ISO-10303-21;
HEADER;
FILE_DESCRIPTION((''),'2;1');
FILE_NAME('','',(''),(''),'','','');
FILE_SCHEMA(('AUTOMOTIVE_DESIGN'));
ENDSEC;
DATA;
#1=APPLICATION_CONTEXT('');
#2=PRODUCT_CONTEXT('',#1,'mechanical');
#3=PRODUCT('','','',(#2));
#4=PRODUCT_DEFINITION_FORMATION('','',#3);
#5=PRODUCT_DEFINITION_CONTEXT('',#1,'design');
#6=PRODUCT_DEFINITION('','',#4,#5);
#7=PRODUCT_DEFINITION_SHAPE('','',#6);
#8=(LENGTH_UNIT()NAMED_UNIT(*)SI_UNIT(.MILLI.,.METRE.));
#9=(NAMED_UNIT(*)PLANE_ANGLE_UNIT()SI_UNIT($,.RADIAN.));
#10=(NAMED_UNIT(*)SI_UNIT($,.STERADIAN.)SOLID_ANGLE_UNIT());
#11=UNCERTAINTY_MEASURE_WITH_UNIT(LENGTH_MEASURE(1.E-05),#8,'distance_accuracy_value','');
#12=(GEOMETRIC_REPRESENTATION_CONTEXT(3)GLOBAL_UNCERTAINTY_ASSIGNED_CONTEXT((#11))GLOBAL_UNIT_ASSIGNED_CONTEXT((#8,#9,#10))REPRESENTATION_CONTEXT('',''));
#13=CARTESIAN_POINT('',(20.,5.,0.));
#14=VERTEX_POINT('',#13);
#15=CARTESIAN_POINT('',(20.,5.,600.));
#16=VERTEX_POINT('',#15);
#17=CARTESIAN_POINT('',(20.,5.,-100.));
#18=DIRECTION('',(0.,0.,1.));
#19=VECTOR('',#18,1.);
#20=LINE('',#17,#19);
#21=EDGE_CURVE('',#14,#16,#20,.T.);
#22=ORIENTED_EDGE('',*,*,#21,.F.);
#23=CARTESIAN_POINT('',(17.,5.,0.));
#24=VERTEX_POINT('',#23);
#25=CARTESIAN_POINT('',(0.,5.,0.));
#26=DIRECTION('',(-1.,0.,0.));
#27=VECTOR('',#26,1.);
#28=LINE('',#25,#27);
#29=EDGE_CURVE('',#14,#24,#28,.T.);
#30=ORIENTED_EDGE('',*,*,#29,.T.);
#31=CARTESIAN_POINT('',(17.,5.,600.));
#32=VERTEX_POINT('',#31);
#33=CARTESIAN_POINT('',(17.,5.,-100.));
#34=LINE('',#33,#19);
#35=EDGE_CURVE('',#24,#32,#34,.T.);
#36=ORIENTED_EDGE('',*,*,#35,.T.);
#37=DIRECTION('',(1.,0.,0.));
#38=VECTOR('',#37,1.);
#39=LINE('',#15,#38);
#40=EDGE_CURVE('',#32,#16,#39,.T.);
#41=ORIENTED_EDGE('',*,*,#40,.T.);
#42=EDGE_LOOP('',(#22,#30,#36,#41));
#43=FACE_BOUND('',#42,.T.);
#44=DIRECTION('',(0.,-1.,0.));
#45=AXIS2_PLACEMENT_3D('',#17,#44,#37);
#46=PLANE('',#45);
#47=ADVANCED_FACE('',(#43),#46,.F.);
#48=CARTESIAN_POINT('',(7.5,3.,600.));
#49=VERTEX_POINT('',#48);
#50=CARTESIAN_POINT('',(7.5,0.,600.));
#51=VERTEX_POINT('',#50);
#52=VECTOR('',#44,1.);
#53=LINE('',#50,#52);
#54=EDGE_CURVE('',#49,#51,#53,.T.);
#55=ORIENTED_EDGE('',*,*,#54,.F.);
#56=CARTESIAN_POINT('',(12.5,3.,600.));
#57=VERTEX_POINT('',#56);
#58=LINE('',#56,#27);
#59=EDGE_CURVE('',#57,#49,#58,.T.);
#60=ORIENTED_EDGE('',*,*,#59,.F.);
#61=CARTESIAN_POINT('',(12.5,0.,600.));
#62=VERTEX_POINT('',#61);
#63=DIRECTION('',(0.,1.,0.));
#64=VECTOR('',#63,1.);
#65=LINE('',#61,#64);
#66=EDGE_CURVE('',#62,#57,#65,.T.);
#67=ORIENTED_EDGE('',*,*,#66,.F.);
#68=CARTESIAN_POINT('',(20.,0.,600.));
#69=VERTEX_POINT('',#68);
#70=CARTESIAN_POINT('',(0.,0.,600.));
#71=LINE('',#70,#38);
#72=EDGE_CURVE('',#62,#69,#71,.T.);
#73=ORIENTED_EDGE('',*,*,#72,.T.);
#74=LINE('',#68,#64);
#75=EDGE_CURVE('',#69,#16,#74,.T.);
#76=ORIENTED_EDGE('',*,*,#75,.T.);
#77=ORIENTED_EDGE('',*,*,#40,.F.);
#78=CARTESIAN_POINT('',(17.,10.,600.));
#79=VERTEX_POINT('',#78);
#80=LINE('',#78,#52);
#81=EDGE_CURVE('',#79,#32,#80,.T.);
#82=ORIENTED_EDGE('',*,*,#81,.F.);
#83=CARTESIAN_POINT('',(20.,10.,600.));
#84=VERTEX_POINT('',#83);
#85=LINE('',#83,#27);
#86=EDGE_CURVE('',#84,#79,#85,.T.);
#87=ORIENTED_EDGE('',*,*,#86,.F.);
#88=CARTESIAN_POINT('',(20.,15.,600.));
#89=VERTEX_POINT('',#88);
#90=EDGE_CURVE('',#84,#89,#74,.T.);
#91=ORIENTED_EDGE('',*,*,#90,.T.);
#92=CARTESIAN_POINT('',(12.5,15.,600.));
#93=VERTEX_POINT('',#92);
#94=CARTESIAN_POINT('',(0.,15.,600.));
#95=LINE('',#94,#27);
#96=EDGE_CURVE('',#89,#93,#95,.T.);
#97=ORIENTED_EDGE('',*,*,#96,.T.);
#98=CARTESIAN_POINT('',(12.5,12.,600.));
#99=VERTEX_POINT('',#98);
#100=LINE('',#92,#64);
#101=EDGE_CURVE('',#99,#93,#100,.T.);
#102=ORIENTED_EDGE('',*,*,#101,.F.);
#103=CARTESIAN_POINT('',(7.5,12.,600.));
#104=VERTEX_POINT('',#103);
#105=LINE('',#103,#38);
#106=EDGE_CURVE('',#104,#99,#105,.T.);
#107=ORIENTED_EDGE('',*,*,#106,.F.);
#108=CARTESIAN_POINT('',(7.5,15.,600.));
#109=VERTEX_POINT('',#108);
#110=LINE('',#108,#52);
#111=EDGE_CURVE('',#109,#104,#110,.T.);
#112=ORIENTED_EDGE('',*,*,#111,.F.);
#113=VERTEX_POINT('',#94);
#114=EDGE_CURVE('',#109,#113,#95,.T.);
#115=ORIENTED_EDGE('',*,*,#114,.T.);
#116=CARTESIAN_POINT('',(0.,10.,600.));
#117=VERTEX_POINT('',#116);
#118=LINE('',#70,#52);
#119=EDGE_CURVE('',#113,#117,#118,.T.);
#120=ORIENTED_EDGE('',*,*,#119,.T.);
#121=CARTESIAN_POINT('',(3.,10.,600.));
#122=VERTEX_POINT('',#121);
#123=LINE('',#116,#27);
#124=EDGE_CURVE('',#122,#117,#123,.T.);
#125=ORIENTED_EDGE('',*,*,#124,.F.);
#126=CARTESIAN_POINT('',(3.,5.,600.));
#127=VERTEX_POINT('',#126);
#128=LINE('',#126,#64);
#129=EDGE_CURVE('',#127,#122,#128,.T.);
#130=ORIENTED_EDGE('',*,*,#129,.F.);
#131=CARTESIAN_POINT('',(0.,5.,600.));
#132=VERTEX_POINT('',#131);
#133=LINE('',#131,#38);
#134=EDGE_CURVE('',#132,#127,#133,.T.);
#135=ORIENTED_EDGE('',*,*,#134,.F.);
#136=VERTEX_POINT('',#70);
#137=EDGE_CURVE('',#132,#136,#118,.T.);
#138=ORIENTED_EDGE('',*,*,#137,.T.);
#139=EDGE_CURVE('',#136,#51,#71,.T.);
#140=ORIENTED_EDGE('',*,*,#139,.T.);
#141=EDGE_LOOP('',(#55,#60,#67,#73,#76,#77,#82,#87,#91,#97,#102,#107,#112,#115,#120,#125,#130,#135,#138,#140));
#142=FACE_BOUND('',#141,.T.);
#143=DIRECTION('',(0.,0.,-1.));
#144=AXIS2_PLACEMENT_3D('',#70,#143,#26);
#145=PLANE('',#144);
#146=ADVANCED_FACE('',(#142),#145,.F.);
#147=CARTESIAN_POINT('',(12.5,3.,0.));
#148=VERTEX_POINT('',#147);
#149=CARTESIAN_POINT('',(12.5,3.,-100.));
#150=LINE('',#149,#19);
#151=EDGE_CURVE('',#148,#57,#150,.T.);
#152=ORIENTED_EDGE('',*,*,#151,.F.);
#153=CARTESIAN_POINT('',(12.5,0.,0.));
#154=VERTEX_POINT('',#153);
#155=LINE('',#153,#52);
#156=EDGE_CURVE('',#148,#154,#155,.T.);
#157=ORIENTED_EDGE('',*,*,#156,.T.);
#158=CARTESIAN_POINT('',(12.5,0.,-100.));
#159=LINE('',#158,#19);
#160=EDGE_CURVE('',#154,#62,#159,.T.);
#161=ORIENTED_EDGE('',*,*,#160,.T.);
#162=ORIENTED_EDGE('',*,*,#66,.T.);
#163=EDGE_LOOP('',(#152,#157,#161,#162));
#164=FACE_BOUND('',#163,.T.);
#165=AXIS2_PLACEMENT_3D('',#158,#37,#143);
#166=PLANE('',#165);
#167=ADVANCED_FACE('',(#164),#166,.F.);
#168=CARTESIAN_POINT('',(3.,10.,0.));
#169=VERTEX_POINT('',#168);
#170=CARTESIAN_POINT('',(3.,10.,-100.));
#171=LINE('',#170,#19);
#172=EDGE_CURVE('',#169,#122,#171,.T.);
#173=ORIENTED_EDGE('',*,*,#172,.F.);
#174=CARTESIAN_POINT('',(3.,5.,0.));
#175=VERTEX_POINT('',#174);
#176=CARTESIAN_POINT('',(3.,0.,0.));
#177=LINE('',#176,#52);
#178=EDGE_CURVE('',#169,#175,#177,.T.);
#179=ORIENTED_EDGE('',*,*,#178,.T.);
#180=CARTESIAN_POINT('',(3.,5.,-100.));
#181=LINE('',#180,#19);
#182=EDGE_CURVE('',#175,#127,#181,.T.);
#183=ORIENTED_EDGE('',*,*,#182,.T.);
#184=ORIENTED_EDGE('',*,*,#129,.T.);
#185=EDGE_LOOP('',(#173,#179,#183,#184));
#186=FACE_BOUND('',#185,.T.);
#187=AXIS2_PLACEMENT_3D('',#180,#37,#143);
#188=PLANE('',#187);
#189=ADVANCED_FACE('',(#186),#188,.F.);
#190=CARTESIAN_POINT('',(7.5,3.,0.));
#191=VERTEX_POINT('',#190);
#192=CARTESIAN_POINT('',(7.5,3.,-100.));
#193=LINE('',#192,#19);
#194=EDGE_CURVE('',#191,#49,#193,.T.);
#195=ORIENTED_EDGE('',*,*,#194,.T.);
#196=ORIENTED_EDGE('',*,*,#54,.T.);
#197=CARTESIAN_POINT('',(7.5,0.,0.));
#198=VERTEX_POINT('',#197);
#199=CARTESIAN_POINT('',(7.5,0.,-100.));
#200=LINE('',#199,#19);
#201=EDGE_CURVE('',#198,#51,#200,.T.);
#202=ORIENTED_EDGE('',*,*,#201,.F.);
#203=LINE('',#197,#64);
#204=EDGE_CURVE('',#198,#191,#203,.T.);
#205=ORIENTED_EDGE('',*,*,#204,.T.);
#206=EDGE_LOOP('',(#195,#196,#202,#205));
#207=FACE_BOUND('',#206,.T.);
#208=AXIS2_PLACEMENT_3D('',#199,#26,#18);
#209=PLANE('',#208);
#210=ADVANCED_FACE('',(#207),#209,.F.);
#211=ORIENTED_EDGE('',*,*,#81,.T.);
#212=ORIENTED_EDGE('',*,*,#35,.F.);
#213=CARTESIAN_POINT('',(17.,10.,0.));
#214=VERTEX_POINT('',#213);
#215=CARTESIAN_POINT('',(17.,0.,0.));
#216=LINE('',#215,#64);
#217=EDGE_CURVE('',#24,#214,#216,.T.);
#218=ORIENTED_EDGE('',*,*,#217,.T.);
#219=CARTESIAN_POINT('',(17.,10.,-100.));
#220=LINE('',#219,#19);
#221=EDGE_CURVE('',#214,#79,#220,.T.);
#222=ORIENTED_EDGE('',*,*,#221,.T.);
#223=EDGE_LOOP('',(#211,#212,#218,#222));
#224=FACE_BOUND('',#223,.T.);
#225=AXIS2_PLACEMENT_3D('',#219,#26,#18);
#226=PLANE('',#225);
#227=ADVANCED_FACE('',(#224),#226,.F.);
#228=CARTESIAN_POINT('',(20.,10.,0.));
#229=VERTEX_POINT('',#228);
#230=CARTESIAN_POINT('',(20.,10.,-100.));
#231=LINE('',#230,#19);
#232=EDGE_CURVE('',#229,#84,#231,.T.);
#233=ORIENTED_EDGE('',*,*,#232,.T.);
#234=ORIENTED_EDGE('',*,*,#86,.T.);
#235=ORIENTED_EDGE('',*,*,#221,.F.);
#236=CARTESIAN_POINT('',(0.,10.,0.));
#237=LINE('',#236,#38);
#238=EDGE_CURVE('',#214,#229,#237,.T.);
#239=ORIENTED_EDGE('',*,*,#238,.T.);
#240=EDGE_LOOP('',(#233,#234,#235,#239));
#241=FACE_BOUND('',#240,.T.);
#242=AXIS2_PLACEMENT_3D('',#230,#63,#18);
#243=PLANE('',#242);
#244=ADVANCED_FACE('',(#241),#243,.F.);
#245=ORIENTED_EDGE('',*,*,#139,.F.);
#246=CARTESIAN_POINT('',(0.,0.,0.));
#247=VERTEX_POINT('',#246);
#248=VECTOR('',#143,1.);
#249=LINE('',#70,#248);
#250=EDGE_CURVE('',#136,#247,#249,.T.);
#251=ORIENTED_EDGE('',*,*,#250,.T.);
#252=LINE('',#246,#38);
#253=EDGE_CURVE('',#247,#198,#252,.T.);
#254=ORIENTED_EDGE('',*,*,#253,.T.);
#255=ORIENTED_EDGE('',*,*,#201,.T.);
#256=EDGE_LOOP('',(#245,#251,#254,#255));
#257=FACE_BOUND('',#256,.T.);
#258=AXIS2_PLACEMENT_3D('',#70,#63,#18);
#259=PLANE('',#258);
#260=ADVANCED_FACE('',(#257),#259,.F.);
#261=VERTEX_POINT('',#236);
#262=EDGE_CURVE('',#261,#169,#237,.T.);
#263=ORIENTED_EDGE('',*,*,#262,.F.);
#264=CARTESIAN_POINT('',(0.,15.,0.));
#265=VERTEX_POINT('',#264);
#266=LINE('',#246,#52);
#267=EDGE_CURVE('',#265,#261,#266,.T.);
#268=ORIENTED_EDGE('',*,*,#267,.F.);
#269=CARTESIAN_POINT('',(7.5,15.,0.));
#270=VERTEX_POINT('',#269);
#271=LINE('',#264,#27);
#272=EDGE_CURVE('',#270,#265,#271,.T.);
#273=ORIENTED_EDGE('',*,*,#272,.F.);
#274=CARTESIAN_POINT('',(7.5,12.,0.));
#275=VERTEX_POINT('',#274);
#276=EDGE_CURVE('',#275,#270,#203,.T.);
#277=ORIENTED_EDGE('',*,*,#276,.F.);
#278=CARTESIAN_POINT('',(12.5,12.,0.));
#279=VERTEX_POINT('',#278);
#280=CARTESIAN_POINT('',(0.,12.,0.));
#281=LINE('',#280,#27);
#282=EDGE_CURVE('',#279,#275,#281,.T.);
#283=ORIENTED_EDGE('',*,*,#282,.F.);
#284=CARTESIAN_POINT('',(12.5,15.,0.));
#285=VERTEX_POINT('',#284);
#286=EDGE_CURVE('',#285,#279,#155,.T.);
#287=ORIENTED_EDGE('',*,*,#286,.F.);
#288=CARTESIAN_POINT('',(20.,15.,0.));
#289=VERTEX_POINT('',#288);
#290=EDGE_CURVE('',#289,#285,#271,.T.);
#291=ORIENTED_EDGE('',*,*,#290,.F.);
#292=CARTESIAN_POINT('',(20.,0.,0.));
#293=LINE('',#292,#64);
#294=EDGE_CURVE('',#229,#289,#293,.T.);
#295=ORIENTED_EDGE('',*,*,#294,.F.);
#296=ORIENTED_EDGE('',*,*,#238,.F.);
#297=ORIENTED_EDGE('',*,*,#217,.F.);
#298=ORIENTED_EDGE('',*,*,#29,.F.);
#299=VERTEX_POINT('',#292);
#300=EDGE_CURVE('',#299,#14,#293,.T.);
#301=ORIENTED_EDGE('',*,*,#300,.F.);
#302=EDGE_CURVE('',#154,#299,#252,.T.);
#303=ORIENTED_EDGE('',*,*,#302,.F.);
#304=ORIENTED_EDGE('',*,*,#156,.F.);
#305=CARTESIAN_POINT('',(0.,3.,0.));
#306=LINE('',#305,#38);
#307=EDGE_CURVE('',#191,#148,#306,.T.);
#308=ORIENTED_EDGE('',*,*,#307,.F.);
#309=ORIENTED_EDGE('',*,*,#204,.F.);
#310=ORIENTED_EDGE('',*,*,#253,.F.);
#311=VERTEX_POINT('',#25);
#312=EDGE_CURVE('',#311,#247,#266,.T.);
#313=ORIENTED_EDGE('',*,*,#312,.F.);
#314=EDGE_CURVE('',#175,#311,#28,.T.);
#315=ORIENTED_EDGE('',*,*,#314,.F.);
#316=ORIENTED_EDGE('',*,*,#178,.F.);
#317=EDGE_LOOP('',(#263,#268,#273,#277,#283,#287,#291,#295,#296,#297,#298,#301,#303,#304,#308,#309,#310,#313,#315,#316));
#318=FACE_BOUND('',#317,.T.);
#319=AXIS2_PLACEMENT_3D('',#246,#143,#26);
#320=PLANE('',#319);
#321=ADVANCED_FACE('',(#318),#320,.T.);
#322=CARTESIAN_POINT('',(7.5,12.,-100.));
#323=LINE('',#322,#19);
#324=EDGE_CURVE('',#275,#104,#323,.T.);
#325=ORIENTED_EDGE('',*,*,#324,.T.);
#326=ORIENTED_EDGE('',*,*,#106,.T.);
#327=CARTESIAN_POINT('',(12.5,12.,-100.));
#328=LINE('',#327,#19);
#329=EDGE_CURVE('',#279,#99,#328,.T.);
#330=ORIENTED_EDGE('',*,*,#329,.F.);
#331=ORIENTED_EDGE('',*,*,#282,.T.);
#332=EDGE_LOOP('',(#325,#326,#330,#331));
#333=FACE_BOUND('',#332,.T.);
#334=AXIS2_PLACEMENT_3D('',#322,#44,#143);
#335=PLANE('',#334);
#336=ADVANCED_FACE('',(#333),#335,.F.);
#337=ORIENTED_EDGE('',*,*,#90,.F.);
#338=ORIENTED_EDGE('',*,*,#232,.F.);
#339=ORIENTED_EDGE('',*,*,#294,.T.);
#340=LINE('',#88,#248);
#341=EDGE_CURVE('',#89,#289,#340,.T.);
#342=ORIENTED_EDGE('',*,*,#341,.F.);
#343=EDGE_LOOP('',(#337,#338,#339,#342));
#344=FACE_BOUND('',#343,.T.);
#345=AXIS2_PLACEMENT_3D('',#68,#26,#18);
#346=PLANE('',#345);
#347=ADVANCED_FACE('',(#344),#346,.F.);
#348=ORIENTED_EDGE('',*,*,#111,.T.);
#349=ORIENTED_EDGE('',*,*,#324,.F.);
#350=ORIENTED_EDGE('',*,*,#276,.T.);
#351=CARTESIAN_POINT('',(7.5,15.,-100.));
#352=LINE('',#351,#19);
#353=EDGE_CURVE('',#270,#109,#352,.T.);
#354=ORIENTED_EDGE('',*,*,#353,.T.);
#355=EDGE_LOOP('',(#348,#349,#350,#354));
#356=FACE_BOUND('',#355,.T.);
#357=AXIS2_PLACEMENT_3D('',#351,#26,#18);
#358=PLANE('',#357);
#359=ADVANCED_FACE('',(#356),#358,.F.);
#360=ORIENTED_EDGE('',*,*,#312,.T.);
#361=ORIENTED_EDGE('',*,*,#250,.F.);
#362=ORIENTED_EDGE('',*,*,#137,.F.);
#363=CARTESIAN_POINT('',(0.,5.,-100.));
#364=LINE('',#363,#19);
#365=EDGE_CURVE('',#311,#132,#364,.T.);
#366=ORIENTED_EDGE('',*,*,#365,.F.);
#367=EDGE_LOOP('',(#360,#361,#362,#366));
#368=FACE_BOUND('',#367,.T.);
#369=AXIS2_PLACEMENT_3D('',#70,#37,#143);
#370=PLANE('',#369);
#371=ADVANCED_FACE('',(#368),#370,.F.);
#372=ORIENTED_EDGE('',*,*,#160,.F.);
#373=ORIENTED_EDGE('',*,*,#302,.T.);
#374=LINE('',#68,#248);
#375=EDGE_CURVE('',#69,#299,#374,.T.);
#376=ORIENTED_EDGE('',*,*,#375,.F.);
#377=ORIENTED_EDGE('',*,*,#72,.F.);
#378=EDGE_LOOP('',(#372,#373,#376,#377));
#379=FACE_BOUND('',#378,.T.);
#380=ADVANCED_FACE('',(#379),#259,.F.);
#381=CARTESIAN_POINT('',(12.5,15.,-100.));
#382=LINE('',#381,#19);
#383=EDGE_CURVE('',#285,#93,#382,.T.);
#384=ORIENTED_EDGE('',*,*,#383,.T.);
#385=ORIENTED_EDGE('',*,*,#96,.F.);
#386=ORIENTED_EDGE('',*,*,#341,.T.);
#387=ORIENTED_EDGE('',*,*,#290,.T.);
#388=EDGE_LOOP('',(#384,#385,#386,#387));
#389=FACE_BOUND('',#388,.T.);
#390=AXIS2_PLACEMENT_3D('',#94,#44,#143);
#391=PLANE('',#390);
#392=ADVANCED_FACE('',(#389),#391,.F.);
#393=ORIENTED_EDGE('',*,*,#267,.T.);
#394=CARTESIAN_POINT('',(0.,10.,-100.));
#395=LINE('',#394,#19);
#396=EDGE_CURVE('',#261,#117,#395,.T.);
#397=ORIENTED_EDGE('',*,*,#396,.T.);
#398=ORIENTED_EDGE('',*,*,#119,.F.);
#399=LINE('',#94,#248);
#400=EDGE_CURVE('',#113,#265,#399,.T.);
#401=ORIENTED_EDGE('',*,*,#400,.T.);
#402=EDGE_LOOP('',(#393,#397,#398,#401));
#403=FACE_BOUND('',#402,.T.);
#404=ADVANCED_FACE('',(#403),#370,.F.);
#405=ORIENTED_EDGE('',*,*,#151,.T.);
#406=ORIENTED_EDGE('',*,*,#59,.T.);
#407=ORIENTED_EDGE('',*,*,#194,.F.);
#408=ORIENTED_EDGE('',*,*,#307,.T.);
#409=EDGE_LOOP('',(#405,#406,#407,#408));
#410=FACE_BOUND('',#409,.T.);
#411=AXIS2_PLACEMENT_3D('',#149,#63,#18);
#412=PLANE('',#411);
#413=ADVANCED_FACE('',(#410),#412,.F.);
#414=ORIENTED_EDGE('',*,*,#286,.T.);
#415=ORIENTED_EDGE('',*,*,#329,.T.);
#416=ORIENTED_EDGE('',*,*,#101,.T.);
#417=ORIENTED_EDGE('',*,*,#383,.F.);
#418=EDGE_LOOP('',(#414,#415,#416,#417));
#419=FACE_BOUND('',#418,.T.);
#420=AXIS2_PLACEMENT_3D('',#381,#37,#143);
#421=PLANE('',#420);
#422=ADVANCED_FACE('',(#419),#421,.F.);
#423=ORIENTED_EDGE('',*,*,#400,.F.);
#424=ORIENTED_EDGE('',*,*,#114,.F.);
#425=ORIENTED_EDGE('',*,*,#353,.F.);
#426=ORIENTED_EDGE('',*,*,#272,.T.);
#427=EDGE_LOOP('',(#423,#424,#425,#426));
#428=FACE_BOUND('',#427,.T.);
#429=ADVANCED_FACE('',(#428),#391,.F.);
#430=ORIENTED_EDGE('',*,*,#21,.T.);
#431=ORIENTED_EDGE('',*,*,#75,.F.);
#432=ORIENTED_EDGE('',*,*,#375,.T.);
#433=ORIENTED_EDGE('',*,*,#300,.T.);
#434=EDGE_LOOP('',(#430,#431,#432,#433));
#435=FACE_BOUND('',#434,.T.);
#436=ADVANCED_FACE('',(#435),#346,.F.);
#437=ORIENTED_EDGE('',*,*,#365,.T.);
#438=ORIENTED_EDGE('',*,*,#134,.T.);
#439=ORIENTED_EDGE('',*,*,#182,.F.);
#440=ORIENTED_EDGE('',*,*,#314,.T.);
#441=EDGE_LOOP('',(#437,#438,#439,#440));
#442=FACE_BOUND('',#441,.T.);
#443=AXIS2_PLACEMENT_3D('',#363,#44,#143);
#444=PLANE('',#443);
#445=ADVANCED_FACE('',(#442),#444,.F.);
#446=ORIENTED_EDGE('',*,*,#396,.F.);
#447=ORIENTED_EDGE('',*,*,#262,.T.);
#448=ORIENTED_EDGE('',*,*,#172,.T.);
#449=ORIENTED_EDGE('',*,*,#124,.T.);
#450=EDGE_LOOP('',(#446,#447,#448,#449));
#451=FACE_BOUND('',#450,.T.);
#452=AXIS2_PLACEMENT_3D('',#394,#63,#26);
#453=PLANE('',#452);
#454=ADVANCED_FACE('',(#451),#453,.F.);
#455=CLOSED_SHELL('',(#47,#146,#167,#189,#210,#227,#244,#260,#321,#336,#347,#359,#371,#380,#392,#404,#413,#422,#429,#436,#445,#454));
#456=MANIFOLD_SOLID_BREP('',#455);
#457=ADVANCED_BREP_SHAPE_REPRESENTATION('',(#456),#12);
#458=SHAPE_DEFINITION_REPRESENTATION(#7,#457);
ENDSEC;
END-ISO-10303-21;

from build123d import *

# Parameters (mm, degrees)
SKETCH1_W           = 20
SKETCH1_H           = 15
BOSS_EXTRUDE1_DEPTH = 600
SKETCH2_W           = 5
SKETCH2_H           = 3
SKETCH2_W_2         = 3
SKETCH2_H_2         = 5
CUT_EXTRUDE1_DEPTH  = 700


with BuildPart() as part:
    # Sketch1 → Boss-Extrude1 (new body)
    with BuildSketch(Plane.XY):
        with Locations((10, 7.5)):
            Rectangle(SKETCH1_W, SKETCH1_H)
    extrude(amount=BOSS_EXTRUDE1_DEPTH)

    # Sketch2 → Cut-Extrude1 (cut)
    with BuildSketch(Plane.XY.offset(600)):
        with Locations((10, 13.5)):
            Rectangle(SKETCH2_W, SKETCH2_H)
        with Locations((18.5, 7.5)):
            Rectangle(SKETCH2_W_2, SKETCH2_H_2)
        with Locations((10, 1.5)):
            Rectangle(SKETCH2_W, SKETCH2_H)
        with Locations((1.5, 7.5)):
            Rectangle(SKETCH2_W_2, SKETCH2_H_2)
    extrude(amount=-CUT_EXTRUDE1_DEPTH, mode=Mode.SUBTRACT)


solid = part.part
